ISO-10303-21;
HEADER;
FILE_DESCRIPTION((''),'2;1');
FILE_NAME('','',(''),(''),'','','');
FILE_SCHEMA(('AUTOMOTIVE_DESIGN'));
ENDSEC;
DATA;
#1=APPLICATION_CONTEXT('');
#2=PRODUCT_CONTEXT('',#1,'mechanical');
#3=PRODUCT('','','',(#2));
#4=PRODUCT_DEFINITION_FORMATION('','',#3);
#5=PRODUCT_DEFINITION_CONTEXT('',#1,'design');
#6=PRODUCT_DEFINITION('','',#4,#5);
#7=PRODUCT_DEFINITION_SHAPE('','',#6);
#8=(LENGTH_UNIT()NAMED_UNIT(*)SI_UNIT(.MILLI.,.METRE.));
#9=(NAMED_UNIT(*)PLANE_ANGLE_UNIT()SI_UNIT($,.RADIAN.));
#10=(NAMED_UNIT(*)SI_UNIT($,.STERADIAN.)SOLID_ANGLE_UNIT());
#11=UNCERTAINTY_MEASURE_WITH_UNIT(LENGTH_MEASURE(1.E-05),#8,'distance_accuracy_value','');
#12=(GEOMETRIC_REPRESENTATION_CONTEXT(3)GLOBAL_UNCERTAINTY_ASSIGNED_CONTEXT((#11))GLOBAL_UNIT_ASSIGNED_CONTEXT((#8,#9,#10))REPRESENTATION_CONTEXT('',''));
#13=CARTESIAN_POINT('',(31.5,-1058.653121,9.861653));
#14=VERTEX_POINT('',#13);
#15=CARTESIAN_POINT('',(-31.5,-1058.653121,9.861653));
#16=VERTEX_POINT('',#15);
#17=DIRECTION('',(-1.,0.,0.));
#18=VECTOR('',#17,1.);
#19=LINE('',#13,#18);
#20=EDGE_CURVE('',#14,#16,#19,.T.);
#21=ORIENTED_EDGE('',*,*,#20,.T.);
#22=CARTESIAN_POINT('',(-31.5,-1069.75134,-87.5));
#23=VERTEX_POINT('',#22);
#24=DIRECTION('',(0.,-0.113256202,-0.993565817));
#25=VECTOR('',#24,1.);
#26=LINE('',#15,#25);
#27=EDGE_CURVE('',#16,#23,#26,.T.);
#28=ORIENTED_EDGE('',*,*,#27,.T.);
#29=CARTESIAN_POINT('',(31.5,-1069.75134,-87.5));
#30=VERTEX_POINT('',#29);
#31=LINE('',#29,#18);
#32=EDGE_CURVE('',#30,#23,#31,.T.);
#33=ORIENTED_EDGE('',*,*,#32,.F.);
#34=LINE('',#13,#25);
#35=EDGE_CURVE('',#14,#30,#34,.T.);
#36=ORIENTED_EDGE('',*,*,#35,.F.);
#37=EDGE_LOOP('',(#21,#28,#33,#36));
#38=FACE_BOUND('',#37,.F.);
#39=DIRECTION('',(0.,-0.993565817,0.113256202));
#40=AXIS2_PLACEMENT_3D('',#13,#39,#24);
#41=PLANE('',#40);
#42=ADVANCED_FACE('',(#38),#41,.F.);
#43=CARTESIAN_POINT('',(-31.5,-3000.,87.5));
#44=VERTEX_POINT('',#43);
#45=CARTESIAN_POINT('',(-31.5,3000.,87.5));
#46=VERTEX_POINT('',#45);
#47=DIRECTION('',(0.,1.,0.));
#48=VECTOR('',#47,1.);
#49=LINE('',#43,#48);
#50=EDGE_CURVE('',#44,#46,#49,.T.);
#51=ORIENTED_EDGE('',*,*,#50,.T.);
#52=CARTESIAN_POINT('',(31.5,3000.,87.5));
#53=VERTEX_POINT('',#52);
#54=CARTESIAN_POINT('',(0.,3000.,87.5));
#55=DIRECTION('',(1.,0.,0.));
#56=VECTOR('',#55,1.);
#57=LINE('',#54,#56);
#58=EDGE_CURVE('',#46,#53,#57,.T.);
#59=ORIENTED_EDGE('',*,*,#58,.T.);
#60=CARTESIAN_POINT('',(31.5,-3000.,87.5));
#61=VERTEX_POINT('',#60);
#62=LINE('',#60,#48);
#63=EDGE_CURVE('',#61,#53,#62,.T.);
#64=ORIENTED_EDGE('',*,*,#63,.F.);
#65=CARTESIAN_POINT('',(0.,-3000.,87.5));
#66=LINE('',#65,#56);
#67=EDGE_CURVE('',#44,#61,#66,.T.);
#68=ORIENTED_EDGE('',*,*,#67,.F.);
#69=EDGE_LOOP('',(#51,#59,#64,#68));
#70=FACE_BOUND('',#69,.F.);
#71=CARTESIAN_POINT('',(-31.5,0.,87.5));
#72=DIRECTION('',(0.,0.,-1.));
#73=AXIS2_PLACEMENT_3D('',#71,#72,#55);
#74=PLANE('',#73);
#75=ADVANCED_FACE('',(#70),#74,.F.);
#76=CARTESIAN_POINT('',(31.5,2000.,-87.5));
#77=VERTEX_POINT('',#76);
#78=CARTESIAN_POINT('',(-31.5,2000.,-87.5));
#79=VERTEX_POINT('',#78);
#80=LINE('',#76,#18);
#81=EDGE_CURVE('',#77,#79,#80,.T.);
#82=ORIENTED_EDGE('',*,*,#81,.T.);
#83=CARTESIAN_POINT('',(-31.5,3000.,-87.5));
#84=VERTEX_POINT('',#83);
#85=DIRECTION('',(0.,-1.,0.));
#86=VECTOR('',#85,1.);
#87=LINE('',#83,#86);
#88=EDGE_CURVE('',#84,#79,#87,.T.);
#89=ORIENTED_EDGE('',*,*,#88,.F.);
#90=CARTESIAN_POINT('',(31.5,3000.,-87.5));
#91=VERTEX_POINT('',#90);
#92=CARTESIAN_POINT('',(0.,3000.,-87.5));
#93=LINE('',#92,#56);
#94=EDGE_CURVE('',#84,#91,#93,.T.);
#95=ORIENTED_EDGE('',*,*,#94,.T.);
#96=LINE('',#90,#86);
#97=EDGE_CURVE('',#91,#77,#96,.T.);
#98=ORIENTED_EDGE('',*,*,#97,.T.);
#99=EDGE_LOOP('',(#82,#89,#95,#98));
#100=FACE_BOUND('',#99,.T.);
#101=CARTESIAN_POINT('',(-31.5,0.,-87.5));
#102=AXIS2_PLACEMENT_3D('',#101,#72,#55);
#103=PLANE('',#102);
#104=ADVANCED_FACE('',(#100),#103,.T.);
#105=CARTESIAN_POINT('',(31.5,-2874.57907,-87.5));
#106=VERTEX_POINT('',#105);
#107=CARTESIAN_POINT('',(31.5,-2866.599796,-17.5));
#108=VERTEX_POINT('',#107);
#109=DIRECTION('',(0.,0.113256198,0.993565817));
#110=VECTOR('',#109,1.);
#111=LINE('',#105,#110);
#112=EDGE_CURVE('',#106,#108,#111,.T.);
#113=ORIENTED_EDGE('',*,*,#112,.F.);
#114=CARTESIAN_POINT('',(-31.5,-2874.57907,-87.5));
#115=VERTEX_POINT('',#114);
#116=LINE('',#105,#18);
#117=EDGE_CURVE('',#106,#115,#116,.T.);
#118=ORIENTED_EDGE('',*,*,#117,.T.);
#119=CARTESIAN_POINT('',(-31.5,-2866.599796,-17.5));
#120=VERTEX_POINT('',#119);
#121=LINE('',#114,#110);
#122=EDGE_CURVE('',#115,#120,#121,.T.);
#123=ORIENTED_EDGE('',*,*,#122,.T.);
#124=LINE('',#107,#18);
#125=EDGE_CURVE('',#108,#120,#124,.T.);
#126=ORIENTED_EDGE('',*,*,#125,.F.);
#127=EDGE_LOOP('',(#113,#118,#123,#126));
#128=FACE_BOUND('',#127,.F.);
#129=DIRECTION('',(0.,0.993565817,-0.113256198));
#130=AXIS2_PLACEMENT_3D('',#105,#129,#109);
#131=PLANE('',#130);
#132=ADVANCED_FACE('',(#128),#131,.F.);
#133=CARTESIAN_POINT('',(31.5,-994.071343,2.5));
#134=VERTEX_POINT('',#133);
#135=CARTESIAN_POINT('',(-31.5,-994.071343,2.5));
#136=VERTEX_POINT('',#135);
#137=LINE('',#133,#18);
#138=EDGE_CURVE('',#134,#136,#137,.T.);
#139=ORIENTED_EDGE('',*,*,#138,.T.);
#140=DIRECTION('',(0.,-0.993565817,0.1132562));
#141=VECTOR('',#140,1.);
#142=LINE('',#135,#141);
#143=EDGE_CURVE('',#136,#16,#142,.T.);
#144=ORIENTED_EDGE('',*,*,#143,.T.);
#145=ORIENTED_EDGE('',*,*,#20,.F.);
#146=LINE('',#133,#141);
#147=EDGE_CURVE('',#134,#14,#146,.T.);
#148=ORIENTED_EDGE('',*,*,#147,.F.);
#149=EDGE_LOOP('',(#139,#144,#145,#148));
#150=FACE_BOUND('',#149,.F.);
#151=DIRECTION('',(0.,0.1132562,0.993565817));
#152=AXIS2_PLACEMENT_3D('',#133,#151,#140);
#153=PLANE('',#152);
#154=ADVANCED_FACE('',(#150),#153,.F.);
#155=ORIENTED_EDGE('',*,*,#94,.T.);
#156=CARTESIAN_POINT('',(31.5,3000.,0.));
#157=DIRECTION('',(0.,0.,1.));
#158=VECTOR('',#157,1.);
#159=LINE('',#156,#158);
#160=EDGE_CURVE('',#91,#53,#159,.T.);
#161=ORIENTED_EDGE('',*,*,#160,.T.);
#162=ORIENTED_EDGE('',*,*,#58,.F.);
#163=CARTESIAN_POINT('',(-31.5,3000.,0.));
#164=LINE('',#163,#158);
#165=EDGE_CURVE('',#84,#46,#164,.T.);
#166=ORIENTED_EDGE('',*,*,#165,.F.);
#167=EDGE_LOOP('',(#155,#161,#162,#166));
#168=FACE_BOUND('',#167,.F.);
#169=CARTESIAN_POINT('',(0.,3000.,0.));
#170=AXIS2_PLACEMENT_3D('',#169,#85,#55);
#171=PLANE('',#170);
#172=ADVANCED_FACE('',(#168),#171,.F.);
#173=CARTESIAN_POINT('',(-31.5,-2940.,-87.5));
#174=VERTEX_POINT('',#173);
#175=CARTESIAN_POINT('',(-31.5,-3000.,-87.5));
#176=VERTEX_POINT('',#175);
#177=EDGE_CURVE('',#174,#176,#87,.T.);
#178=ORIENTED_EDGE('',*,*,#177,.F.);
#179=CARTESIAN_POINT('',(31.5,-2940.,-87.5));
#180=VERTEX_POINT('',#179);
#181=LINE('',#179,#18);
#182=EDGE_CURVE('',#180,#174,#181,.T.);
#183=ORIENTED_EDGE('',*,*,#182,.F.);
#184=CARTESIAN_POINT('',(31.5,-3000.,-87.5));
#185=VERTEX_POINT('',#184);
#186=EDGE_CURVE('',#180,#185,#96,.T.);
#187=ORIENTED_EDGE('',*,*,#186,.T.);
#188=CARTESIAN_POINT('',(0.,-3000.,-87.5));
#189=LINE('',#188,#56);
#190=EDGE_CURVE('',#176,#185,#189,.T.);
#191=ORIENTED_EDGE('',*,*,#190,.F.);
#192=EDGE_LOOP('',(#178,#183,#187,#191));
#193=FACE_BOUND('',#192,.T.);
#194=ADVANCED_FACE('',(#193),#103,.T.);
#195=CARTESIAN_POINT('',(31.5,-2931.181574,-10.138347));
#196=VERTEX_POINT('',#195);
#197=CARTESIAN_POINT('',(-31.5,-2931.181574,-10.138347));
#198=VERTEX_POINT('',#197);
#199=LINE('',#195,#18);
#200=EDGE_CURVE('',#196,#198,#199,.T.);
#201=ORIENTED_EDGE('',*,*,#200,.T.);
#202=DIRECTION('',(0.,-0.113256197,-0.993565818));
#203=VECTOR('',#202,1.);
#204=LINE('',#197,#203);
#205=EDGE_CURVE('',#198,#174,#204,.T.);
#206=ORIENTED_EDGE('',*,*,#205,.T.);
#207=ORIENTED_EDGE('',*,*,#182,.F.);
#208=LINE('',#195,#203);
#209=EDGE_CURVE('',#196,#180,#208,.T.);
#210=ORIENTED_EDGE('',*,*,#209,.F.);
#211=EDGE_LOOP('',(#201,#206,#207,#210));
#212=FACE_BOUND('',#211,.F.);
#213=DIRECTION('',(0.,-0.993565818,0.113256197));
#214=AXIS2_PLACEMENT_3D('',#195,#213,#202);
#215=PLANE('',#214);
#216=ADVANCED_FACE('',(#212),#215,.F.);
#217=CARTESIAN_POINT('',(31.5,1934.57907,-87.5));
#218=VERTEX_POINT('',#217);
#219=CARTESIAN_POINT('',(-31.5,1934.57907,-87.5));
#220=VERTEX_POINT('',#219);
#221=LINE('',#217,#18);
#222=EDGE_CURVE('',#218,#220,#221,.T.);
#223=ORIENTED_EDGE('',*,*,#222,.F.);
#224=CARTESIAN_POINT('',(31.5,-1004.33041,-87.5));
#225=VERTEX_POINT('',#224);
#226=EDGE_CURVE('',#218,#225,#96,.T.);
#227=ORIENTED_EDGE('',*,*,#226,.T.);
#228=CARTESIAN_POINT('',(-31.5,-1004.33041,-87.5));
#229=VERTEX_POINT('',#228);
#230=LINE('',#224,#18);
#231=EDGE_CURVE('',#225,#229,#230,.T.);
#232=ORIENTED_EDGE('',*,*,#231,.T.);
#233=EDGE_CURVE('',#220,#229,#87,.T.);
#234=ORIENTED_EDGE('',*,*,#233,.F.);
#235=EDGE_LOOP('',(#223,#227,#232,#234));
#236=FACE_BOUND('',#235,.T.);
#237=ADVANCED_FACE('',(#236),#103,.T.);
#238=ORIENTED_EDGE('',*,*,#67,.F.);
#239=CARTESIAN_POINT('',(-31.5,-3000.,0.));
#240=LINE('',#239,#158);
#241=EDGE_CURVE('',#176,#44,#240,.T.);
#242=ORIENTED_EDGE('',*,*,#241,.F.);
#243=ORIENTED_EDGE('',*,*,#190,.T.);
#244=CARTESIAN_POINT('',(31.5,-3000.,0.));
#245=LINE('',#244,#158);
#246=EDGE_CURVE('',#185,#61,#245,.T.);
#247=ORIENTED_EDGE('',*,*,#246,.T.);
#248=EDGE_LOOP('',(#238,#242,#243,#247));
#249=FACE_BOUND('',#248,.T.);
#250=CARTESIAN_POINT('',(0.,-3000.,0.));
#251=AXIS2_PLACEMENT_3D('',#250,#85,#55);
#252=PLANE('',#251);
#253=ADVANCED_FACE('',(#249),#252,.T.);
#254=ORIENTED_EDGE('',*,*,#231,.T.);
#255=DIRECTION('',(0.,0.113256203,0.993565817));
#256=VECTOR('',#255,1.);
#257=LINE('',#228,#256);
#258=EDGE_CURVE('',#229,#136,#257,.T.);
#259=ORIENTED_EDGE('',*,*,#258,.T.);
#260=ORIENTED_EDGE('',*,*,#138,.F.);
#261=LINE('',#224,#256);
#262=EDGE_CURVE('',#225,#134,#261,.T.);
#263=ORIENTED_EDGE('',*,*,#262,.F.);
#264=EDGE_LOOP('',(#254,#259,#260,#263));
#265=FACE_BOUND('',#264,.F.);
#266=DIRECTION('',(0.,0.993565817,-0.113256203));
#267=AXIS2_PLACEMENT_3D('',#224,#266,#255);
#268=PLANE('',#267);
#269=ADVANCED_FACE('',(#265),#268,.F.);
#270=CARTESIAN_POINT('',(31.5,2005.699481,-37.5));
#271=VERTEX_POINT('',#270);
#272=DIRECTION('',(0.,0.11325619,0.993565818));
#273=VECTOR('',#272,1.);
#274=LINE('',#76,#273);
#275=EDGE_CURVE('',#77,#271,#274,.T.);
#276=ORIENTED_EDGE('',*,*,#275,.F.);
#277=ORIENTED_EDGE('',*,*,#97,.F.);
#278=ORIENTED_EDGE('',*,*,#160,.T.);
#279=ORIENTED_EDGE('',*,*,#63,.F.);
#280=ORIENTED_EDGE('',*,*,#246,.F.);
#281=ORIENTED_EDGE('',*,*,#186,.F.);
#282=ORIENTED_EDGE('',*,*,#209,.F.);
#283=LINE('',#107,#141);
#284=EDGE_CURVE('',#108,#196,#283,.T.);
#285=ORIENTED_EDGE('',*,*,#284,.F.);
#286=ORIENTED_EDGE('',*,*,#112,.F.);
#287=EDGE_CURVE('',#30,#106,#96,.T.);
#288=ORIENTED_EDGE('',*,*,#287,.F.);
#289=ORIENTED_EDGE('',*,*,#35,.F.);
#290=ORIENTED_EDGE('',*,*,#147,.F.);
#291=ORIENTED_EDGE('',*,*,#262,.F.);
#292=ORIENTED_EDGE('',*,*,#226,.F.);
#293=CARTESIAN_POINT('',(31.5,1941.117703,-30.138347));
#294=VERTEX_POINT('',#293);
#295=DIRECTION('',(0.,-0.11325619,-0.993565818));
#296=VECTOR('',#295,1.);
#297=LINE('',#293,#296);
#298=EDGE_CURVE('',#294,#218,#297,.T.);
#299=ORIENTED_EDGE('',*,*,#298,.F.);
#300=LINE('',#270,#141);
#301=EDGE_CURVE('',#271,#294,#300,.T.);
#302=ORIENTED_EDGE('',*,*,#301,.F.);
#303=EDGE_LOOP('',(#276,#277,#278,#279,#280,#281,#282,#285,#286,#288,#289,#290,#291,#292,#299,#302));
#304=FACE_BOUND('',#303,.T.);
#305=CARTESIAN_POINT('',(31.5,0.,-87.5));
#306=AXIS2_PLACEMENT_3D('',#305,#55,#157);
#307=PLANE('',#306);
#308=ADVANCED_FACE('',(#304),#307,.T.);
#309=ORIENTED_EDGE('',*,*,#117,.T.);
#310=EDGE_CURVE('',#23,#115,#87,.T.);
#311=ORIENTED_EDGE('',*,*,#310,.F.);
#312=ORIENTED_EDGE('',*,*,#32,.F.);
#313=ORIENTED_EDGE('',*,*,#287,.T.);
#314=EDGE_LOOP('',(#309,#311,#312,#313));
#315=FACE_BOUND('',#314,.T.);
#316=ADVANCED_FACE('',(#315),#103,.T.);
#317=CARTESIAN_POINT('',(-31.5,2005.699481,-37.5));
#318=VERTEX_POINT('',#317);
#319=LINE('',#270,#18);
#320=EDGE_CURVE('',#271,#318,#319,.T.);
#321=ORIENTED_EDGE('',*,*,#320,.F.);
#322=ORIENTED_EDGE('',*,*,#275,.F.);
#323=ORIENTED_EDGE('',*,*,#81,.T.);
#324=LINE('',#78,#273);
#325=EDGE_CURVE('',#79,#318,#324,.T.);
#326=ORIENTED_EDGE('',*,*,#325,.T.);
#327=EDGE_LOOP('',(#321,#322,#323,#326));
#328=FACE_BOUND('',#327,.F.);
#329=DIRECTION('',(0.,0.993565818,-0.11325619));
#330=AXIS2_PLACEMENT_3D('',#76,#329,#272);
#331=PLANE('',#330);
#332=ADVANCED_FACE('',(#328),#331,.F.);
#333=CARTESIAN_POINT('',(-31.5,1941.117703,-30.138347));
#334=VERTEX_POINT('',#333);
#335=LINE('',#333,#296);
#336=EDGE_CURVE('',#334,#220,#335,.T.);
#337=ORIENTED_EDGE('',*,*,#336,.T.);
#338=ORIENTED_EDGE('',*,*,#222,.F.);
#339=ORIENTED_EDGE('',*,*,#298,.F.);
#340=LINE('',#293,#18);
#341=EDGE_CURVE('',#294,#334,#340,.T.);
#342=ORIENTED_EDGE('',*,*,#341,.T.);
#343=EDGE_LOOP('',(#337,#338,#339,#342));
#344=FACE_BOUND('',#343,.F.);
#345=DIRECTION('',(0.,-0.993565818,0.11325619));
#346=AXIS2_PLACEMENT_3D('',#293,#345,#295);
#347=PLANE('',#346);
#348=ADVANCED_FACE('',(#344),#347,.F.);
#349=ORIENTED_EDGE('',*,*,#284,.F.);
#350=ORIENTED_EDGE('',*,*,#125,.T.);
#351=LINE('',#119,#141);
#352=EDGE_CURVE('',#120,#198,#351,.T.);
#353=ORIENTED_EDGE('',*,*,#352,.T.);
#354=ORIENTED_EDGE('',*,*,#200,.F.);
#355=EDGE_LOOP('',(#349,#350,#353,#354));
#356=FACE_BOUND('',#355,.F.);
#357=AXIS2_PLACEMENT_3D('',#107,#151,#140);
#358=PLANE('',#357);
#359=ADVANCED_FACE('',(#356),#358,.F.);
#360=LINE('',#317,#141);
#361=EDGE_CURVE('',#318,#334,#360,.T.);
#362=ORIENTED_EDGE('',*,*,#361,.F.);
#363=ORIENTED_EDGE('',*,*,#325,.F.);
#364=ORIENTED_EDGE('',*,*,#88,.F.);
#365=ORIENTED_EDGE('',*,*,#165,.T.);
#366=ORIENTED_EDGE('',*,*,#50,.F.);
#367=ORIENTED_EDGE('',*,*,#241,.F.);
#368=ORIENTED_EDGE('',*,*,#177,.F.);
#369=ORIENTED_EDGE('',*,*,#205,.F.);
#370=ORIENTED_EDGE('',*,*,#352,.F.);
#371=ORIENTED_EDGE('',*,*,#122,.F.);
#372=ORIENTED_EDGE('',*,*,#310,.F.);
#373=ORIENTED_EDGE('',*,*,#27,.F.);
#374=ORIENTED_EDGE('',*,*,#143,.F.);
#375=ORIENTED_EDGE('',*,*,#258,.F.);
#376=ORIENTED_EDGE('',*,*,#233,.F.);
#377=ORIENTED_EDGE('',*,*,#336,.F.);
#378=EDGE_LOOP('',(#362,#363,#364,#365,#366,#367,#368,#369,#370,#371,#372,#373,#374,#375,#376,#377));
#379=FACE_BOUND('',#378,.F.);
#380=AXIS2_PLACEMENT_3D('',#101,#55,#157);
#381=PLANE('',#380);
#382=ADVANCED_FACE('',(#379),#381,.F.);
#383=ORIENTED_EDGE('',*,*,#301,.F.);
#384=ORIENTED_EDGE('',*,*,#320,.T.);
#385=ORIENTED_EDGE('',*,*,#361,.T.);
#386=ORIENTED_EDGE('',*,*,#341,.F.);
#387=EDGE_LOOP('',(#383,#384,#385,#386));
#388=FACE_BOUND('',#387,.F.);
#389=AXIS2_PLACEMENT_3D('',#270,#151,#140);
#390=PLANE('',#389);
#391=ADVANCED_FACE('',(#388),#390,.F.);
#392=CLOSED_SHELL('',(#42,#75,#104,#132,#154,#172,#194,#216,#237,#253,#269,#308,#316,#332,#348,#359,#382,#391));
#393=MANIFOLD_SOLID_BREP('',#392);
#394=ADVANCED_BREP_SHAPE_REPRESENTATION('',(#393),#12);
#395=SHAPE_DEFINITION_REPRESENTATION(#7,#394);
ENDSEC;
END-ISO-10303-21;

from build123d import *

# Parameters (mm, degrees)
F0_W     = 63
F0_H     = 175
F1_DEPTH = 3000
F3_DEPTH = 63


with BuildPart() as f1:
    # F0 (on Front) → F1 (new body, symmetric)
    with BuildSketch(Plane.XZ):
        Rectangle(F0_W, F0_H)
    extrude(amount=F1_DEPTH, both=True)

    # F2 (on face) → F3 (cut, through all)
    with BuildSketch(Plane.YZ.offset(31.5)):
        Polygon((1934.57907, -87.5), (2000, -87.5), (2005.699481, -37.5), (1941.117703, -30.138347), align=None)
        Polygon((-1069.75134, -87.5), (-1004.33041, -87.5), (-994.071343, 2.5), (-1058.653121, 9.861653), align=None)
        Polygon((-2940, -87.5), (-2874.57907, -87.5), (-2866.599796, -17.5), (-2931.181574, -10.138347), align=None)
    extrude(amount=-F3_DEPTH, mode=Mode.SUBTRACT)


solid = f1.part
